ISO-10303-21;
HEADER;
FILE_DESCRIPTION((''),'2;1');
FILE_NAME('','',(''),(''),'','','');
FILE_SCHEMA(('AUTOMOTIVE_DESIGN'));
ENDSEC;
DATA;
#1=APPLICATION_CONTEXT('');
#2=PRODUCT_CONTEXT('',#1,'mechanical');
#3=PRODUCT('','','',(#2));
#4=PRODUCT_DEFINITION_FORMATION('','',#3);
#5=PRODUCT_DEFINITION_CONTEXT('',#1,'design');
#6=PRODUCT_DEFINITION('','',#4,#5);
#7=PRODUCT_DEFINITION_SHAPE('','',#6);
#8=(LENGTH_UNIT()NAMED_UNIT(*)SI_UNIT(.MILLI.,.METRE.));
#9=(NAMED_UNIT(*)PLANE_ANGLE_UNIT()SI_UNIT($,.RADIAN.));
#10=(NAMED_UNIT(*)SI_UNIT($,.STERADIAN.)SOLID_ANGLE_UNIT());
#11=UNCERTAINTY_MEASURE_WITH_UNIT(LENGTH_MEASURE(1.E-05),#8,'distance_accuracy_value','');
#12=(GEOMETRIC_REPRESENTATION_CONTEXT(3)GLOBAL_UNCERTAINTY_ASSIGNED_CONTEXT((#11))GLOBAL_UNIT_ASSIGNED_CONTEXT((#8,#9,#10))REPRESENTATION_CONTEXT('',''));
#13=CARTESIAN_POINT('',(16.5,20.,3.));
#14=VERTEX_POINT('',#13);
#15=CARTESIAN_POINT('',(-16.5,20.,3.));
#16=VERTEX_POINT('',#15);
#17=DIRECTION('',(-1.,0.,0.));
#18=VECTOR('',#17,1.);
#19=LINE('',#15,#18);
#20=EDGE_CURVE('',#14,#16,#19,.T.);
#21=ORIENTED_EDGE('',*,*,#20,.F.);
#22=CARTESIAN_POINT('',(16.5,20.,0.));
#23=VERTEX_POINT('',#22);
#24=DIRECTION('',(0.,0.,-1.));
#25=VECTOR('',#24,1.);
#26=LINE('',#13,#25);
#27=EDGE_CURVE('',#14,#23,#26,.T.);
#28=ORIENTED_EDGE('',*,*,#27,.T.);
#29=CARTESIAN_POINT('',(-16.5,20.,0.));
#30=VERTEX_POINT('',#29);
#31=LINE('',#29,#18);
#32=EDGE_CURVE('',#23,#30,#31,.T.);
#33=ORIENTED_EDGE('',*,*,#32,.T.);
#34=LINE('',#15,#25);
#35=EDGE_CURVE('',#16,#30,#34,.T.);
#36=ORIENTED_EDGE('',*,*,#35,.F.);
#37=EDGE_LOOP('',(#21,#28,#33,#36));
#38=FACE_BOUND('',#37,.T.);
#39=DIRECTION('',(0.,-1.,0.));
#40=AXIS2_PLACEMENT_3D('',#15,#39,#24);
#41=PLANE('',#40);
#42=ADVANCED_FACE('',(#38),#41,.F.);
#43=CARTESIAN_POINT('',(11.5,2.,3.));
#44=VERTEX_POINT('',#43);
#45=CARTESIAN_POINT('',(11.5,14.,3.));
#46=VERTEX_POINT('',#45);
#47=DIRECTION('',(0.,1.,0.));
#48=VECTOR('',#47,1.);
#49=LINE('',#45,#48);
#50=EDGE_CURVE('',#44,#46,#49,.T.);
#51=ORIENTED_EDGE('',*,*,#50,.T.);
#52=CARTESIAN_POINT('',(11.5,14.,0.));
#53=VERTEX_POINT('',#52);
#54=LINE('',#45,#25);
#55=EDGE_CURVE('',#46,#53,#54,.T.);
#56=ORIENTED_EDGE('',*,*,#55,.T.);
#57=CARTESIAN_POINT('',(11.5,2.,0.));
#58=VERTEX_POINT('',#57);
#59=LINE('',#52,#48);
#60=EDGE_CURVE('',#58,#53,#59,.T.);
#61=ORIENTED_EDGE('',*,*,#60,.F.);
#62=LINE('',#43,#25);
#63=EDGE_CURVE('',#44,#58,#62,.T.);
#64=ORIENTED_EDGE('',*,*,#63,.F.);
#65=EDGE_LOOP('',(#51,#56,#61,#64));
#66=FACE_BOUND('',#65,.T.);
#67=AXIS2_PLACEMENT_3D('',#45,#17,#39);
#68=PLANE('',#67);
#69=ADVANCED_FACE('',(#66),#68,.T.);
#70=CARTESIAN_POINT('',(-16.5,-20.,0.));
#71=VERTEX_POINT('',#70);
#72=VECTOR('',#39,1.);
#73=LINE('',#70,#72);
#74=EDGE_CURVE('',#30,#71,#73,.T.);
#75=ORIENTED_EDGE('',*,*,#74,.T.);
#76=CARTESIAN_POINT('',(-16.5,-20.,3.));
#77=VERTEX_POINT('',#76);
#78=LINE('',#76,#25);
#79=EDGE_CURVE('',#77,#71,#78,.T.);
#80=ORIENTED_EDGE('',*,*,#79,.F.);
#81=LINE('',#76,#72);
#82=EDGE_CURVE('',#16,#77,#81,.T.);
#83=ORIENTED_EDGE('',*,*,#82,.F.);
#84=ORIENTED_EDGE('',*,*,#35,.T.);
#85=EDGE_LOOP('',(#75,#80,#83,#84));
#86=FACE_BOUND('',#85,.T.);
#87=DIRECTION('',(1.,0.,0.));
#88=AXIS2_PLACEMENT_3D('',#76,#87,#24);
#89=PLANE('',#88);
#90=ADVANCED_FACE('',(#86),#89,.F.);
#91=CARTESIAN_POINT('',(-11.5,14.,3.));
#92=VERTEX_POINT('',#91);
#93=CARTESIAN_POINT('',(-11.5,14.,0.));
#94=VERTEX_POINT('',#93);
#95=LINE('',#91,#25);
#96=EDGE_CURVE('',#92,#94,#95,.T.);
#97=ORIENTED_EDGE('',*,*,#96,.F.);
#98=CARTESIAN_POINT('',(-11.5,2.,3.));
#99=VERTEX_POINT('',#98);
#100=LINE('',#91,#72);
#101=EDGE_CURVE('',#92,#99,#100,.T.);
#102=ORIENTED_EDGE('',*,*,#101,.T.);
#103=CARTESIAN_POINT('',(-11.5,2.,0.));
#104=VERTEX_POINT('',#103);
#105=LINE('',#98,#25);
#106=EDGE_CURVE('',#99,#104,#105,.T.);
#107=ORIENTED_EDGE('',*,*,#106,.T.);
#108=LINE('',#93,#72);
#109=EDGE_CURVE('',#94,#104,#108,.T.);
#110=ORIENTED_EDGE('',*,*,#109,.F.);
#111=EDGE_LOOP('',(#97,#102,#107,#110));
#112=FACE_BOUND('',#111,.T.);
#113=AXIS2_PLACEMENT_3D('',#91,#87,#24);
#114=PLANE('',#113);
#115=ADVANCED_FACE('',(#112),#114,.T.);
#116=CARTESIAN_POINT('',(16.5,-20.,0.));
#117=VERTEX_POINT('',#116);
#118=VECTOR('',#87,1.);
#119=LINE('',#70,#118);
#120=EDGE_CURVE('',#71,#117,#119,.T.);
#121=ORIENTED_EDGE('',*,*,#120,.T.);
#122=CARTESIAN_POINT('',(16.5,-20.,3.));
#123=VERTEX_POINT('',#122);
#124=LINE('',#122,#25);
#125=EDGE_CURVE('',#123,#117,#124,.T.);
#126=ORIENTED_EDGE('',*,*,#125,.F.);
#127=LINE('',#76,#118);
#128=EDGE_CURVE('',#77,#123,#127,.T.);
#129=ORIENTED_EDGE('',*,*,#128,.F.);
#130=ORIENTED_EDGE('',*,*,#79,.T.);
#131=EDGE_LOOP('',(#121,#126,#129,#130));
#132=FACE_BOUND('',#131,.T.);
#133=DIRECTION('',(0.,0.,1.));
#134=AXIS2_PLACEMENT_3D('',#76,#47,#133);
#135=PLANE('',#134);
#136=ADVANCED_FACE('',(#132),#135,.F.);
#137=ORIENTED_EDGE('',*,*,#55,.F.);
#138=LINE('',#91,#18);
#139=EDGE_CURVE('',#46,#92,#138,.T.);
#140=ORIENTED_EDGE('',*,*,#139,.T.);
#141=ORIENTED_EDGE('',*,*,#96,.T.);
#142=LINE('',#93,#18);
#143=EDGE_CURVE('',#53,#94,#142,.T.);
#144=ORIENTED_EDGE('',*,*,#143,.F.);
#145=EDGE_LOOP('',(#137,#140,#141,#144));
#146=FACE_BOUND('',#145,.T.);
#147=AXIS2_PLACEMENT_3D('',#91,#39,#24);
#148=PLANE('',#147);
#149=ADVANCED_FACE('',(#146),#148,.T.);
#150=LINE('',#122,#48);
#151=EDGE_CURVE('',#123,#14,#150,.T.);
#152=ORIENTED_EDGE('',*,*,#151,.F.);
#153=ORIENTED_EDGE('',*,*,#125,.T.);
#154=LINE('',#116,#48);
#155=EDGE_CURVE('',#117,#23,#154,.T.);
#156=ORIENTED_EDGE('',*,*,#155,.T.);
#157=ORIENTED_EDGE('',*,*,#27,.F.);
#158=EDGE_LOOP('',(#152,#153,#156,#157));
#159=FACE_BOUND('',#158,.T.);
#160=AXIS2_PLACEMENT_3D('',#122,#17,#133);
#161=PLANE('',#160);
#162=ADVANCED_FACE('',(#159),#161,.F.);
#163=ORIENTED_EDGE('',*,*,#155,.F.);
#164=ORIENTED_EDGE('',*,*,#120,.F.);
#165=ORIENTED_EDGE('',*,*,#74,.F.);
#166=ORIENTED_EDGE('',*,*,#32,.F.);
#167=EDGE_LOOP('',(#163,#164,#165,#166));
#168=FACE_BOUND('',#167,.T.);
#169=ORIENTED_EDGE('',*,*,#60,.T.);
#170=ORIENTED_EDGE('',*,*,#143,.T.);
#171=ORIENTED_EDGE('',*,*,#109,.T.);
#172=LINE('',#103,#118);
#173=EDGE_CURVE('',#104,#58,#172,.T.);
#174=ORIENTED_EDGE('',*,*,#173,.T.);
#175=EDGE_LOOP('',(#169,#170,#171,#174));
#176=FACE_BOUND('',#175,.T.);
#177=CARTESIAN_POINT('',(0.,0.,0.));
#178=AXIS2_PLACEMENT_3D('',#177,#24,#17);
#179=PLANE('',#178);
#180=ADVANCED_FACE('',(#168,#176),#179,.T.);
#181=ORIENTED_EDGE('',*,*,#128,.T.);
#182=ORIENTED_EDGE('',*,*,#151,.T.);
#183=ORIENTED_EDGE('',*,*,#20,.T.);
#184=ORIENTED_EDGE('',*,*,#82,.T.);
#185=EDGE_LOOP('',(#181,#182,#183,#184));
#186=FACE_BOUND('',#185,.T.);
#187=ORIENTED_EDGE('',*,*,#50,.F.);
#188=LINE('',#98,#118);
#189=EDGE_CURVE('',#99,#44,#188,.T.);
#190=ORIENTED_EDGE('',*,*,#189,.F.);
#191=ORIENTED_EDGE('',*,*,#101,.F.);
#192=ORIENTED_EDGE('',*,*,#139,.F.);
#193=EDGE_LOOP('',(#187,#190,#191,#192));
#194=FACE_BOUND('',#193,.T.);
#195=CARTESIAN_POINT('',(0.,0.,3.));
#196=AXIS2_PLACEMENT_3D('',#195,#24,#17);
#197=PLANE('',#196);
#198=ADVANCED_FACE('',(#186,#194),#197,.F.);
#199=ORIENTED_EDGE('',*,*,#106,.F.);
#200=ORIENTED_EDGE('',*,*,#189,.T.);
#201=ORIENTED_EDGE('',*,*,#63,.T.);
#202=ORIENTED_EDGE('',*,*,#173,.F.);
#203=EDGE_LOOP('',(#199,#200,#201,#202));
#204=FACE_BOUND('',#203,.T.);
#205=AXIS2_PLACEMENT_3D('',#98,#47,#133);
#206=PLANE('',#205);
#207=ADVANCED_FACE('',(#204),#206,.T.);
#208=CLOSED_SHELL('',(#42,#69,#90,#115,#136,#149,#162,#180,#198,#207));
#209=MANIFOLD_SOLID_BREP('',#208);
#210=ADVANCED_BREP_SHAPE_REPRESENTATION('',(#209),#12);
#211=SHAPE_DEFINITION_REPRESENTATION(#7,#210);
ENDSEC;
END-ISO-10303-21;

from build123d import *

# Parameters (mm, degrees)
SKETCH1_W           = 33
SKETCH1_H           = 40
SKETCH1_W_2         = 23
SKETCH1_H_2         = 12
BOSS_EXTRUDE1_DEPTH = 3


with BuildPart() as part:
    # Sketch1 → Boss-Extrude1 (new body)
    with BuildSketch(Plane.XY):
        Rectangle(SKETCH1_W, SKETCH1_H)
        with Locations((0, 8)):
            Rectangle(SKETCH1_W_2, SKETCH1_H_2, mode=Mode.SUBTRACT)
    extrude(amount=BOSS_EXTRUDE1_DEPTH)


solid = part.part
